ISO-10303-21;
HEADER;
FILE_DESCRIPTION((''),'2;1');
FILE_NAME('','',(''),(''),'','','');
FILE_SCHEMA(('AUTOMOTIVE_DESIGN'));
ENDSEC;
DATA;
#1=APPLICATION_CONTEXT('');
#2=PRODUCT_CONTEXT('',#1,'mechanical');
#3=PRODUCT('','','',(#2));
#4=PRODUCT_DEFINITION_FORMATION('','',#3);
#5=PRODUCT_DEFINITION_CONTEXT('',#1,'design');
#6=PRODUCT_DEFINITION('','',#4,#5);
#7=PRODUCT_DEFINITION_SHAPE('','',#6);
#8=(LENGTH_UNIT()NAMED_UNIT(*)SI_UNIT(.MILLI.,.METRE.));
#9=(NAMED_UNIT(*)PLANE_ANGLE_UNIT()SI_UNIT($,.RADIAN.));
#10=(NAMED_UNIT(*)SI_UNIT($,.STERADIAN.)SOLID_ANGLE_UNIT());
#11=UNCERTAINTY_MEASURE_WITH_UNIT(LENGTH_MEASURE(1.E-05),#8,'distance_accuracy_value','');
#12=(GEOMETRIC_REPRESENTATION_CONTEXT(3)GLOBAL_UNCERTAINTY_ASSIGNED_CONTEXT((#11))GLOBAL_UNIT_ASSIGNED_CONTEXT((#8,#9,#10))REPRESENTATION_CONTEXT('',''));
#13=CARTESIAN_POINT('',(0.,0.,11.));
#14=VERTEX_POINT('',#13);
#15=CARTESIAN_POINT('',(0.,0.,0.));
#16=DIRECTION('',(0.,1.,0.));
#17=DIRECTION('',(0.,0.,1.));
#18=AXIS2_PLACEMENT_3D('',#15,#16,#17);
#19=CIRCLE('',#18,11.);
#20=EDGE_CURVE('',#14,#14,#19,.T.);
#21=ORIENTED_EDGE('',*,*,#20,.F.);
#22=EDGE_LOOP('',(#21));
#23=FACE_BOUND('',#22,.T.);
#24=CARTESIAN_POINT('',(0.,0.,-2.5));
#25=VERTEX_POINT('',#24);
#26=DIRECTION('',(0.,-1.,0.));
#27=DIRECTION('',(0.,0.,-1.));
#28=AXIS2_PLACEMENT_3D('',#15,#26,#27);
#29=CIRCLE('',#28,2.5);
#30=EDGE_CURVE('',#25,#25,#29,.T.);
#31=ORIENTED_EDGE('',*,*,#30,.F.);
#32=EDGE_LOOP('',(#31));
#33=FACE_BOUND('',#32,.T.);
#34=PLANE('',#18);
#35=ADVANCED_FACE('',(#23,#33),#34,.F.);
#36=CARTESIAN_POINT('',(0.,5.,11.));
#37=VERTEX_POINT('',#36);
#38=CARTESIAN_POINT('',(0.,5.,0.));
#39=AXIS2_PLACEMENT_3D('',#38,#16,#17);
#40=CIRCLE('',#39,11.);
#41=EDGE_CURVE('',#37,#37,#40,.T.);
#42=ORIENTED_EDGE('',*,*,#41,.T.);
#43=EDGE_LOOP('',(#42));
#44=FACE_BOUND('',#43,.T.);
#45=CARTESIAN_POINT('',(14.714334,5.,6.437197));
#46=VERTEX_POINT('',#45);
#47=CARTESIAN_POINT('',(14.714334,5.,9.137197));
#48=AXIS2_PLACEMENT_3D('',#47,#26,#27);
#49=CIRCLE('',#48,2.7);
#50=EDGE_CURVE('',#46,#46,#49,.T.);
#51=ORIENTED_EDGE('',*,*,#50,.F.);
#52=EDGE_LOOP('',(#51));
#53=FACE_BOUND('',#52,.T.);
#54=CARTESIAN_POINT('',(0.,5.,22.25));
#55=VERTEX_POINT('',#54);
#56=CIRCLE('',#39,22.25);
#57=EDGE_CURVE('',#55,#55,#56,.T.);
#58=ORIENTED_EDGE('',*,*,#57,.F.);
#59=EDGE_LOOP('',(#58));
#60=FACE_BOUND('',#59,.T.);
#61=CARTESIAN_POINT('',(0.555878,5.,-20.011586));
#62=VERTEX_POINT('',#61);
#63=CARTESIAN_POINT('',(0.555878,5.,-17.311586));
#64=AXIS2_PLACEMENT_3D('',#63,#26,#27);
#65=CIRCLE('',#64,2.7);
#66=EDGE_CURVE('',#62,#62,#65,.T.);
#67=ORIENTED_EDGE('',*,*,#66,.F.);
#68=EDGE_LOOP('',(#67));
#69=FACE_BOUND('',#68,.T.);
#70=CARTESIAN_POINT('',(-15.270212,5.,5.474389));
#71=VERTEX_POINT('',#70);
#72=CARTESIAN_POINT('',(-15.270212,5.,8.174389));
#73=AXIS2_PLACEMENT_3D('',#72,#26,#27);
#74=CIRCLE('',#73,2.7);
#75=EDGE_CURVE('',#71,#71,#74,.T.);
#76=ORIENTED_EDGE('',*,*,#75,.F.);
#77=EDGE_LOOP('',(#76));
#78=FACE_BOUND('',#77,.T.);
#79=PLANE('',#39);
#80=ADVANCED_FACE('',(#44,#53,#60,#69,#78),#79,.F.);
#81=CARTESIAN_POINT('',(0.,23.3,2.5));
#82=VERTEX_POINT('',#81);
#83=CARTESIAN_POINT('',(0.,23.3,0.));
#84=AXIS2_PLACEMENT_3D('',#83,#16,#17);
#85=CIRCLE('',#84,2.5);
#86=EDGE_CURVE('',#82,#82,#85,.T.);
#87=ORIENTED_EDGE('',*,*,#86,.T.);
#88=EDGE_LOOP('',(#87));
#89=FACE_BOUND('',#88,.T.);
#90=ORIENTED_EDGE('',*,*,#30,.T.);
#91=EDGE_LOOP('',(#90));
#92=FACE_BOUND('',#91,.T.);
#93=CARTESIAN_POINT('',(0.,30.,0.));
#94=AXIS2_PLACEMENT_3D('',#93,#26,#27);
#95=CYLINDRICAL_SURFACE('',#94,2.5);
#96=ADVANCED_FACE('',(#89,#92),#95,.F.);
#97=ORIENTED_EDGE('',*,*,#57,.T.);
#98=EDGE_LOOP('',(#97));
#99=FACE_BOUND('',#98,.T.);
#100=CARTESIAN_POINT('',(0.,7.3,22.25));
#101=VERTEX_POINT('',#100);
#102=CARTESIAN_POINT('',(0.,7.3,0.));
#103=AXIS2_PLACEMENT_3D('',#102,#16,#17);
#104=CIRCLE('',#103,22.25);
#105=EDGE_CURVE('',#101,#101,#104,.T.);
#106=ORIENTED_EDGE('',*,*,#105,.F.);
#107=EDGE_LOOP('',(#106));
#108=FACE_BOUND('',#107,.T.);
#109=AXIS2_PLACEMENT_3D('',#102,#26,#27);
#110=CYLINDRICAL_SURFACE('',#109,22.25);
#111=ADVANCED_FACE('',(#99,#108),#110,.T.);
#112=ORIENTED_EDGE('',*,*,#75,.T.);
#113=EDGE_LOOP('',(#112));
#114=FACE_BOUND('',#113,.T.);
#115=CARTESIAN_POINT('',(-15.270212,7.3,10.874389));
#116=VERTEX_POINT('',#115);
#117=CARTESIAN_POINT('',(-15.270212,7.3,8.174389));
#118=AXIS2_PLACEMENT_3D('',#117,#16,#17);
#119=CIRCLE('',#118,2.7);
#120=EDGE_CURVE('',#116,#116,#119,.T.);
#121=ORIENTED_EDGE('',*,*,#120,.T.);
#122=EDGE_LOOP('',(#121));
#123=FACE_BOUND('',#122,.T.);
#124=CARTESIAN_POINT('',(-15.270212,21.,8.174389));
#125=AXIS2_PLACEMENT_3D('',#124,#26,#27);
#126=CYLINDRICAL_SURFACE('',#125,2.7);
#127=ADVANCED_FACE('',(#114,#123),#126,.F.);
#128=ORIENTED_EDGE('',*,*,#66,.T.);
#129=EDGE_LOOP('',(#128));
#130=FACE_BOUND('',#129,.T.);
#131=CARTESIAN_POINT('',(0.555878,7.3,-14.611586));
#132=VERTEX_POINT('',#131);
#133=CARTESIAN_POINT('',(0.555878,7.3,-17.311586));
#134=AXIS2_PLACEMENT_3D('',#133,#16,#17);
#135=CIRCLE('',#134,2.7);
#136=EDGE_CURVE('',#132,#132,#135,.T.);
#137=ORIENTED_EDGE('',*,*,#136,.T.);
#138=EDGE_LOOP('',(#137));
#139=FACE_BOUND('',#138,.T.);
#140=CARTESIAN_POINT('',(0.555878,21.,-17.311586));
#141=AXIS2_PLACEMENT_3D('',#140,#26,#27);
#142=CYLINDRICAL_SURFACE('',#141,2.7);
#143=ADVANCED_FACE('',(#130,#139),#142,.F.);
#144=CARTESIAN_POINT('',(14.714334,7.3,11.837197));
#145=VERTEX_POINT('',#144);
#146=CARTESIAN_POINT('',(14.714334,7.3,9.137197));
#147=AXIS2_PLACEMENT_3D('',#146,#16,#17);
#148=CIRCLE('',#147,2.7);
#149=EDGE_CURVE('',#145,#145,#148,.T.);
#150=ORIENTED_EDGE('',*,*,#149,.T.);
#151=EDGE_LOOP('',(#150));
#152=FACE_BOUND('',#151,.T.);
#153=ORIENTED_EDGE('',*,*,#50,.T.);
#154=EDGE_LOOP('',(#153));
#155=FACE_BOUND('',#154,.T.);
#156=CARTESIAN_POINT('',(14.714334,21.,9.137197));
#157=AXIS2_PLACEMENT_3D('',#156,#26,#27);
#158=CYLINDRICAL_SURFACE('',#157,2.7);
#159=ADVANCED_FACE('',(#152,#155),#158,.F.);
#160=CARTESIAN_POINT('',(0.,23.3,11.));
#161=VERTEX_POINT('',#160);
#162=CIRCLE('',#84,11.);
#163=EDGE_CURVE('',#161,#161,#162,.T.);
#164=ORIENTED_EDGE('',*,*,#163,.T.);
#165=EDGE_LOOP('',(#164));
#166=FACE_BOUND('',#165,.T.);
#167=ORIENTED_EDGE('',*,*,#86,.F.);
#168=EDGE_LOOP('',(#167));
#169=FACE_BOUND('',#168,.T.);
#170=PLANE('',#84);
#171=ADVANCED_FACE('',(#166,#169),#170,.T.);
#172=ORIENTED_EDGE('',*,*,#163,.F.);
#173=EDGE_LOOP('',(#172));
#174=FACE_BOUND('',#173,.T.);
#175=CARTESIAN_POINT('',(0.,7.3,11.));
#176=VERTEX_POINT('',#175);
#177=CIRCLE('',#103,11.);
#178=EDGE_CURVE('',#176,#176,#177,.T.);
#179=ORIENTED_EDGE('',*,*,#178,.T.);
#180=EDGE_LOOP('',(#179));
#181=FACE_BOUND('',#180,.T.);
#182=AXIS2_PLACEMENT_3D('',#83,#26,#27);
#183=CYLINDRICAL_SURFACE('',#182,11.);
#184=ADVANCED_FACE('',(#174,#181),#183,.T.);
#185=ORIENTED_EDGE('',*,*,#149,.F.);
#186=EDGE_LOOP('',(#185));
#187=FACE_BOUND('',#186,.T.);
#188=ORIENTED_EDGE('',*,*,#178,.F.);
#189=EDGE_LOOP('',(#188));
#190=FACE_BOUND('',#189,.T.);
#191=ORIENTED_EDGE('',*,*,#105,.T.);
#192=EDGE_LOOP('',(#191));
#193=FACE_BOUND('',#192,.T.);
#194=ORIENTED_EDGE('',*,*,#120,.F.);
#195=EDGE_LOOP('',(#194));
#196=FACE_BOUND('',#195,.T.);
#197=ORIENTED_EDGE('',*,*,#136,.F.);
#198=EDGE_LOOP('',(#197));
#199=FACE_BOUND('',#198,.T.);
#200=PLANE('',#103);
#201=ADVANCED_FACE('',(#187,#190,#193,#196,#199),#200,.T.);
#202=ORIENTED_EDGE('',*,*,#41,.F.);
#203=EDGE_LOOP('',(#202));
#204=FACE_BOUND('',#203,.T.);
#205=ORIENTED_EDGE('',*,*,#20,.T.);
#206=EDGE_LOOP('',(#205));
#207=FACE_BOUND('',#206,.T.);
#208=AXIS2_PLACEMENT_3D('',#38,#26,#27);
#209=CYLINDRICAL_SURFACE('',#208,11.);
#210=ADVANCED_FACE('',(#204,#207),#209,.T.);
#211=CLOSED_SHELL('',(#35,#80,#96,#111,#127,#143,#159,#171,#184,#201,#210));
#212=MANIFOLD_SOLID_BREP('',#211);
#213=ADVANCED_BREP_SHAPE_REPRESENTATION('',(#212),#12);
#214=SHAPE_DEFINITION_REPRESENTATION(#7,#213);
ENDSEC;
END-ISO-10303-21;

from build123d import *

# Parameters (mm, degrees)
SKETCH1_R           = 11
BOSS_EXTRUDE1_DEPTH = 5
SKETCH2_R           = 22.25
BOSS_EXTRUDE2_DEPTH = 2.3
SKETCH3_R           = 11
BOSS_EXTRUDE3_DEPTH = 16
SKETCH4_R           = 2.5
CUT_EXTRUDE1_DEPTH  = 30
SKETCH5_R           = 2.7
CUT_EXTRUDE2_DEPTH  = 16


with BuildPart() as part:
    # Sketch1 → Boss-Extrude1 (new body)
    with BuildSketch(Plane(origin=(0, 0, 0), x_dir=(1, 0, 0), z_dir=(0, 1, 0))):
        with Locations(Location((0, 0, 0), (0, 0, 270))):
            Circle(SKETCH1_R)
    extrude(amount=BOSS_EXTRUDE1_DEPTH)

    # Sketch2 → Boss-Extrude2 (add)
    with BuildSketch(Plane(origin=(0, 5, 0), x_dir=(1, 0, 0), z_dir=(0, 1, 0))):
        with Locations(Location((0, 0, 0), (0, 0, 270))):
            Circle(SKETCH2_R)
    extrude(amount=BOSS_EXTRUDE2_DEPTH)

    # Sketch3 → Boss-Extrude3 (add)
    with BuildSketch(Plane(origin=(0, 7.3, 0), x_dir=(1, 0, 0), z_dir=(0, 1, 0))):
        with Locations(Location((0, 0, 0), (0, 0, 270))):
            Circle(SKETCH3_R)
    extrude(amount=BOSS_EXTRUDE3_DEPTH)

    # Sketch4 → Cut-Extrude1 (cut)
    with BuildSketch(Plane.XZ):
        with Locations(Location((0, 0, 0), (0, 0, 270))):
            Circle(SKETCH4_R)
    extrude(amount=-CUT_EXTRUDE1_DEPTH, mode=Mode.SUBTRACT)

    # Sketch5 → Cut-Extrude2 (cut)
    with BuildSketch(Plane.XZ.offset(-5)):
        with Locations(Location((-15.270211919, 8.174388537, 0), (0, 0, 270))):
            Circle(SKETCH5_R)
        with Locations(Location((14.714334093, 9.137197175, 0), (0, 0, 270))):
            Circle(SKETCH5_R)
        with Locations(Location((0.555877826, -17.311585711, 0), (0, 0, 270))):
            Circle(SKETCH5_R)
    extrude(amount=-CUT_EXTRUDE2_DEPTH, mode=Mode.SUBTRACT)


solid = part.part
